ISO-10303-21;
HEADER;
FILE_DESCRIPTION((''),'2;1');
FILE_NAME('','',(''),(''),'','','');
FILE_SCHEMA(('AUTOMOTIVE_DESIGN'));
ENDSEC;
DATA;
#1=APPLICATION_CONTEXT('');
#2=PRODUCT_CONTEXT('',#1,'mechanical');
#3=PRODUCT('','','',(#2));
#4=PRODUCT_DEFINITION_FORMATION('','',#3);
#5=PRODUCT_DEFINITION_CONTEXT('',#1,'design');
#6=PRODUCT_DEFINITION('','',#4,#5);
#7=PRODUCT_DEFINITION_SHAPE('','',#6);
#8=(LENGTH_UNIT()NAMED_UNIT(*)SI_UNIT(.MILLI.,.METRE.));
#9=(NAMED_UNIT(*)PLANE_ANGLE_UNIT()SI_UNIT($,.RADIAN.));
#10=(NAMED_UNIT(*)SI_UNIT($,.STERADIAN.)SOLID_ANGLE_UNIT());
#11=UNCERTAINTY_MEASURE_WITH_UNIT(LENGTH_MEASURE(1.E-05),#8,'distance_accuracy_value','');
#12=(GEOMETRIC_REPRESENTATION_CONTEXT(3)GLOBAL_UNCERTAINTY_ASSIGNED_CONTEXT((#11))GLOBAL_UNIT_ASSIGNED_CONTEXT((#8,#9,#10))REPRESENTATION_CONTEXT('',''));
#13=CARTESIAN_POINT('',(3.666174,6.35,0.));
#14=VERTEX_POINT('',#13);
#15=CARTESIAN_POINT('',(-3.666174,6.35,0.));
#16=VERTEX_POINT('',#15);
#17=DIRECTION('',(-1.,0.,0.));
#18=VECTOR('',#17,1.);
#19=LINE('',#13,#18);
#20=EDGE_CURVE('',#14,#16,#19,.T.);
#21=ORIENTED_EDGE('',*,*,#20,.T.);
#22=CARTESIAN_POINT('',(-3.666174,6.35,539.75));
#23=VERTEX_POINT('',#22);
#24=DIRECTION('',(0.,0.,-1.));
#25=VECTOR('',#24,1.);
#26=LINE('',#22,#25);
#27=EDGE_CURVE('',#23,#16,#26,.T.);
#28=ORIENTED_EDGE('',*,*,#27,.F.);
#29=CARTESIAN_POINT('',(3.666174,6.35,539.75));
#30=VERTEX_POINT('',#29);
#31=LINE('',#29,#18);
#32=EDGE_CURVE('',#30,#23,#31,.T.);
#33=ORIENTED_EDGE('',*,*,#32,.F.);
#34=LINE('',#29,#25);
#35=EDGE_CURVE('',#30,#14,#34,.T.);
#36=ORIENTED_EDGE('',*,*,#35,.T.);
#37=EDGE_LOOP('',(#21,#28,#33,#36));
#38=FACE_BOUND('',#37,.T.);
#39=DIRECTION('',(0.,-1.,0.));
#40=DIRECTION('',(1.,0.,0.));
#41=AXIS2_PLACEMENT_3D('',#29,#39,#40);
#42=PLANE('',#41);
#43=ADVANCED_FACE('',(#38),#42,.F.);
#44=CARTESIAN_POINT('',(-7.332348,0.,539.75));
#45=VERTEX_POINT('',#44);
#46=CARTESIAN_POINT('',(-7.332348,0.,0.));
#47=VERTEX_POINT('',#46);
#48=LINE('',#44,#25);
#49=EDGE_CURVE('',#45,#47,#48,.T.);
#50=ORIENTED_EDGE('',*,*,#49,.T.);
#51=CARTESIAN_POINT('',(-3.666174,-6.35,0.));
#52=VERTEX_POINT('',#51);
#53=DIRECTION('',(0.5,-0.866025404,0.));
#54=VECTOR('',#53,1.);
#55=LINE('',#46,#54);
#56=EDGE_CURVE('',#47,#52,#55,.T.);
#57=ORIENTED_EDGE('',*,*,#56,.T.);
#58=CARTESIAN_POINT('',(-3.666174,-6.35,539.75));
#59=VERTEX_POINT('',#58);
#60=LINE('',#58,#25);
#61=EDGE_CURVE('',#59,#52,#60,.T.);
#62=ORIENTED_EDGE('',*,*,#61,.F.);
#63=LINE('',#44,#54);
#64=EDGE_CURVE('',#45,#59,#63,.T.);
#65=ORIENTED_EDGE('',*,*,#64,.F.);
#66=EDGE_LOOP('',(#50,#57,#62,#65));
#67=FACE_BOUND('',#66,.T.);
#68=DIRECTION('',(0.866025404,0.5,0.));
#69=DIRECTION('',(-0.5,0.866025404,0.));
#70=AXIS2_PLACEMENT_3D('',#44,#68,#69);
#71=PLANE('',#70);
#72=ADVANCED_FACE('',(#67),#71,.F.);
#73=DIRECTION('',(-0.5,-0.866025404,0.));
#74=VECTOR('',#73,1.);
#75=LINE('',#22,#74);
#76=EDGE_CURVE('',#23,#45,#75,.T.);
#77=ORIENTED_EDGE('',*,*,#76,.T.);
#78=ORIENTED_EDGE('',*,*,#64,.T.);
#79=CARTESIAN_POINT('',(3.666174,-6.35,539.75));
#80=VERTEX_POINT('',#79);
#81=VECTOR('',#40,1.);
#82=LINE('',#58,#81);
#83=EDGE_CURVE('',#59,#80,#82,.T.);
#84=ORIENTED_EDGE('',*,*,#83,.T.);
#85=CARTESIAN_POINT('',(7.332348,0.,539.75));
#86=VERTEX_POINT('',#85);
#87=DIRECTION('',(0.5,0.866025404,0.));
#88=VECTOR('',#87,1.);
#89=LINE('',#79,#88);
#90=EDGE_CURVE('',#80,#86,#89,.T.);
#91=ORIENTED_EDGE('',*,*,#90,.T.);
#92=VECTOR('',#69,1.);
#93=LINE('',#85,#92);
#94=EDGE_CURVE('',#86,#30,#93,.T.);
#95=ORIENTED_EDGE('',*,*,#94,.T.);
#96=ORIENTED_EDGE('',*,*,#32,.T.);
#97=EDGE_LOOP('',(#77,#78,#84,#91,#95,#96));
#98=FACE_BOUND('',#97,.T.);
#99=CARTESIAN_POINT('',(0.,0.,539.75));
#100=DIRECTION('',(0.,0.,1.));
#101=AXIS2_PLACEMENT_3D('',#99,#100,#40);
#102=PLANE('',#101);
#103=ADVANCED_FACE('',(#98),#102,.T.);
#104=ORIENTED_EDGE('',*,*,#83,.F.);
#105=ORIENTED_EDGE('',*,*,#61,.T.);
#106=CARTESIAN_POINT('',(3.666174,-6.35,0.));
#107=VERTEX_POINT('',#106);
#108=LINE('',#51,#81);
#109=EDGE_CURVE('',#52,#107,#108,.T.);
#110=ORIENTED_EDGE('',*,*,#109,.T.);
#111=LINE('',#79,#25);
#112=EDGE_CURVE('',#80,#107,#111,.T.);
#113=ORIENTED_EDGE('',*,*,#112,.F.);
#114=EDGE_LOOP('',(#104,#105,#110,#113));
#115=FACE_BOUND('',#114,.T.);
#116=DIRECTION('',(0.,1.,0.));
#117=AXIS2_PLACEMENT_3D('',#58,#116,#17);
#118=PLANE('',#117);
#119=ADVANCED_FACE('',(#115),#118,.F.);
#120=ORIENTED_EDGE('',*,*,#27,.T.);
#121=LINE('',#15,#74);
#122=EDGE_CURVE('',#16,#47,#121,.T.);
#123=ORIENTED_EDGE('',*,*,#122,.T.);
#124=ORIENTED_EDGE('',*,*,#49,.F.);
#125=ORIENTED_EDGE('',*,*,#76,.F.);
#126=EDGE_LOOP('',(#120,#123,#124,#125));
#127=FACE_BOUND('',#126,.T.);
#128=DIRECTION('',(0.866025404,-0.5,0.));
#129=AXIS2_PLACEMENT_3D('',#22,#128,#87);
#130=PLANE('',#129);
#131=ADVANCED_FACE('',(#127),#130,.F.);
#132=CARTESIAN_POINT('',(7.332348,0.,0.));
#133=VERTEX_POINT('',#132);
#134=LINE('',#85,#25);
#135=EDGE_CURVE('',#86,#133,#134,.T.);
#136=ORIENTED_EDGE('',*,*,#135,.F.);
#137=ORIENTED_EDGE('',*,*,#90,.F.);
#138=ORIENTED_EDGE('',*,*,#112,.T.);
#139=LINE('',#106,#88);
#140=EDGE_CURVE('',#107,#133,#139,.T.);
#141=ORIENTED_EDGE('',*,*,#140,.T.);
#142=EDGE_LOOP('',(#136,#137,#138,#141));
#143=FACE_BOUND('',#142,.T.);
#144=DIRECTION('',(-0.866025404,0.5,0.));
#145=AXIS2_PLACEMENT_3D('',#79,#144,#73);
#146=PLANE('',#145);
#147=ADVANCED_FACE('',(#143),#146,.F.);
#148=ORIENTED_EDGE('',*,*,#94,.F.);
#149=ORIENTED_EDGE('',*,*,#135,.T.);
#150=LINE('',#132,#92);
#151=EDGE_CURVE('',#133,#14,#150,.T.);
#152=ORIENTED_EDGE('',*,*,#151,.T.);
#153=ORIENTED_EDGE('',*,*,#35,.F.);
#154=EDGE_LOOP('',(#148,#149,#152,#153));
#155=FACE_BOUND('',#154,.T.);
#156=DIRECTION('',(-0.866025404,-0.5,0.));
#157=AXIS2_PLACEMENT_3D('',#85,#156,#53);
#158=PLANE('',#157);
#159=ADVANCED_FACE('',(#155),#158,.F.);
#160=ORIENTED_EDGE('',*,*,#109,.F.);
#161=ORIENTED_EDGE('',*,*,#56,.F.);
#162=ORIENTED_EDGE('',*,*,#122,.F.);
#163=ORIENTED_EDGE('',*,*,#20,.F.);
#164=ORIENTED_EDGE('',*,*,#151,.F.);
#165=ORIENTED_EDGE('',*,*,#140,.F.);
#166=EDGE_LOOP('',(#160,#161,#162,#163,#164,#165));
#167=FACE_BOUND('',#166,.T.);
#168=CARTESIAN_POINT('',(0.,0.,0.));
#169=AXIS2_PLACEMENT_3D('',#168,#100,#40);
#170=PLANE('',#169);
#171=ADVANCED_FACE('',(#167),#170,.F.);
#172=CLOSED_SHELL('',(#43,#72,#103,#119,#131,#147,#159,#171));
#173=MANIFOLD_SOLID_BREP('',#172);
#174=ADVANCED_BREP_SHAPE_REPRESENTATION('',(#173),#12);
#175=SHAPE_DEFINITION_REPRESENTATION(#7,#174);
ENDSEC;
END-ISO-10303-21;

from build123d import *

# Parameters (mm, degrees)
BOSS_EXTRUDE1_DEPTH = 539.75


with BuildPart() as part:
    # Sketch1 → Boss-Extrude1 (new body)
    with BuildSketch(Plane.XY):
        Polygon((7.332348419, 0), (3.666174209, 6.35), (-3.666174209, 6.35), (-7.332348419, 0), (-3.666174209, -6.35), (3.666174209, -6.35), align=None)
    extrude(amount=BOSS_EXTRUDE1_DEPTH)


solid = part.part
